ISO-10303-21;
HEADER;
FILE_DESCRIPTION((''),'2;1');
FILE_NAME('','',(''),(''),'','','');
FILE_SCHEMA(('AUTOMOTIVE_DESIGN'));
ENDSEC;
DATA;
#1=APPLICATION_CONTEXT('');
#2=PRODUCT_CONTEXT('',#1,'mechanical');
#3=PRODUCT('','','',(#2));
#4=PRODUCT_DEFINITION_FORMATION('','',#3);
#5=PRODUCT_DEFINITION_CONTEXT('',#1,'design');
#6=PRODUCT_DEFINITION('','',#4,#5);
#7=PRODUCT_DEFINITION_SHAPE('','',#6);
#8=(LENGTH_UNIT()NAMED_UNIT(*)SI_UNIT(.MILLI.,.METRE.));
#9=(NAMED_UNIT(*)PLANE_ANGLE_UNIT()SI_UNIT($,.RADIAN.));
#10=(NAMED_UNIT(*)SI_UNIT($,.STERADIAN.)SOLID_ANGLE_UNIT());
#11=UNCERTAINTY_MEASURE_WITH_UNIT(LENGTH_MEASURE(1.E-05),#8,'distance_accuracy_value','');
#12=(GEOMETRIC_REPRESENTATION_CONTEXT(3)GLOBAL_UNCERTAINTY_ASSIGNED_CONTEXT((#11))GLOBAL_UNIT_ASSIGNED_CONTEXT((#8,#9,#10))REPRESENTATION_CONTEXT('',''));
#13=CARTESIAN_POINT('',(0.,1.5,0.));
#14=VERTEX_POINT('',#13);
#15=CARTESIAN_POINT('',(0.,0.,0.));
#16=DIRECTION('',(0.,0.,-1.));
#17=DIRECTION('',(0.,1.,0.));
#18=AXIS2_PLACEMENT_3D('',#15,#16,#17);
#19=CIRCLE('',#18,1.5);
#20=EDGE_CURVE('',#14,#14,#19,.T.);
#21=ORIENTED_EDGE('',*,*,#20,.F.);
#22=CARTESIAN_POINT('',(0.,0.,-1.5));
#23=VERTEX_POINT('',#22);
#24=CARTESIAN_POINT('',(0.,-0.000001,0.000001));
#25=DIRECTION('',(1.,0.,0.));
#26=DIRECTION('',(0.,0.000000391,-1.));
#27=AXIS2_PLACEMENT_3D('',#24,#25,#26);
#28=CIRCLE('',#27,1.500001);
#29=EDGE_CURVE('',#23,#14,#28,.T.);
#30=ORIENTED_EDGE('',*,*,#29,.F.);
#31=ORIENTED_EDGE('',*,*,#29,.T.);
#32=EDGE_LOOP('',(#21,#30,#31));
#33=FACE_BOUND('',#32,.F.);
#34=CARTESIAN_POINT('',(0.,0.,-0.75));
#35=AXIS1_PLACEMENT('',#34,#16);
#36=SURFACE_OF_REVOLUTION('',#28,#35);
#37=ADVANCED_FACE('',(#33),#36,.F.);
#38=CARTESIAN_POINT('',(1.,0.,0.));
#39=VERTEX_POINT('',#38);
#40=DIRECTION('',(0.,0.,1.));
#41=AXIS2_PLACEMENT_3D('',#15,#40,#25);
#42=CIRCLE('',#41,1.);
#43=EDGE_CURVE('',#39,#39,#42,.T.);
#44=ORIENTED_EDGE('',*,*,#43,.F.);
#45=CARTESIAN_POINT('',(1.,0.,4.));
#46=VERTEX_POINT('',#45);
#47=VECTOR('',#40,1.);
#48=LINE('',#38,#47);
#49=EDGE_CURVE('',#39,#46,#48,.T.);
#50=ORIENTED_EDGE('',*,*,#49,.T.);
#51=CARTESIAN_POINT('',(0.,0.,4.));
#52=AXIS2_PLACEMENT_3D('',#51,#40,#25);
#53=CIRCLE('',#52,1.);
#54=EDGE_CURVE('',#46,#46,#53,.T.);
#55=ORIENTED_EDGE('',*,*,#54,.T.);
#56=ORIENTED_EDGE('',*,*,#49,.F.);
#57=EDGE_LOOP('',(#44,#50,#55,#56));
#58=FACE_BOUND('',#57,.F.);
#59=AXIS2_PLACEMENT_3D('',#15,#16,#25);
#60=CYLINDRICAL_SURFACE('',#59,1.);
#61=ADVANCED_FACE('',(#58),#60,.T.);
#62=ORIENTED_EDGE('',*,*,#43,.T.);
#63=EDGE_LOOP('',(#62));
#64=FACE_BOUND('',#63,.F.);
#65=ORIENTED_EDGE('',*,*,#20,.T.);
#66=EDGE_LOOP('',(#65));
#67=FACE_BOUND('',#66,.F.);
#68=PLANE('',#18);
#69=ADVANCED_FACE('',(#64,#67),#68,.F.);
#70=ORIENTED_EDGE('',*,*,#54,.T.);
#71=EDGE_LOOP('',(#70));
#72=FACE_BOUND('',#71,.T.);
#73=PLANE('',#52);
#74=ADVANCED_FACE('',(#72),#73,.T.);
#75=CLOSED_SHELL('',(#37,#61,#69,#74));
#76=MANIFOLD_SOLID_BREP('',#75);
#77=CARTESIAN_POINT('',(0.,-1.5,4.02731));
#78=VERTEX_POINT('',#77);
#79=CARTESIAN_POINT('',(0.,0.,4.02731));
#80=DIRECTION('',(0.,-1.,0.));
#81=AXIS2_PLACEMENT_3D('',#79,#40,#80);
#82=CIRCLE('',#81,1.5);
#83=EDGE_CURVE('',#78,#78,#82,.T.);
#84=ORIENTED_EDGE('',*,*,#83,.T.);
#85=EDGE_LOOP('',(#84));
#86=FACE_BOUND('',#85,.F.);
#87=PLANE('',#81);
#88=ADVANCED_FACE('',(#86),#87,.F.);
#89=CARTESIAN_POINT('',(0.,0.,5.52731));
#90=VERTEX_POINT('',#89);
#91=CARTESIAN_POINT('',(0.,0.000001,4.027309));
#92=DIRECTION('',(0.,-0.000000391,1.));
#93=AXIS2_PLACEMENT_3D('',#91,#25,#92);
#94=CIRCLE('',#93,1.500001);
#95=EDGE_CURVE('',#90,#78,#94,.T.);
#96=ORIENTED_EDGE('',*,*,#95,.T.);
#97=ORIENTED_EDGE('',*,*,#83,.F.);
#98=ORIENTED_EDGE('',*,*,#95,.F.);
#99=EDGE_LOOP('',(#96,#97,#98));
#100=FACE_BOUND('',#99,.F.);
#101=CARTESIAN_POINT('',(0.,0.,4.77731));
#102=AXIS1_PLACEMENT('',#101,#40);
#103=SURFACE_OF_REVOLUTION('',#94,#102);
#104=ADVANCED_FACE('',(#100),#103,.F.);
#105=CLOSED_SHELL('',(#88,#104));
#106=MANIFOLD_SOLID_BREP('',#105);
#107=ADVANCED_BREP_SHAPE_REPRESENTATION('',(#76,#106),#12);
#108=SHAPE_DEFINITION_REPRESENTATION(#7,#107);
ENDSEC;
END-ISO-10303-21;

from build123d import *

# Parameters (mm, degrees)
F0_R     = 1
F1_DEPTH = 4


with BuildPart() as f1:
    # F0 (on Top) → F1 (new body)
    with BuildSketch(Plane.XY):
        Circle(F0_R)
    extrude(amount=F1_DEPTH)

    # F2 (on Right) → F3 (revolve)
    with BuildSketch(Plane.YZ):
        with BuildLine():
            Line((0, 0), (0, -1.5))
            ThreePointArc((0, -1.5), (1.06066, -1.06066), (1.5, 0))
            Line((1.5, 0), (0, 0))
        make_face()
    revolve(axis=Axis((0, 0, -0.75), (0, 0, -1)))


with BuildPart() as f5:
    # F4 (on Right) → F5 (revolve)
    with BuildSketch(Plane.YZ):
        with BuildLine():
            Line((0, 4.02731), (0, 5.52731))
            ThreePointArc((0, 5.52731), (-1.06066, 5.08797), (-1.5, 4.02731))
            Line((-1.5, 4.02731), (0, 4.02731))
        make_face()
    revolve(axis=Axis((0, 0, 4.77731), (0, 0, 1)))


solid = Compound([f1.part, f5.part])
